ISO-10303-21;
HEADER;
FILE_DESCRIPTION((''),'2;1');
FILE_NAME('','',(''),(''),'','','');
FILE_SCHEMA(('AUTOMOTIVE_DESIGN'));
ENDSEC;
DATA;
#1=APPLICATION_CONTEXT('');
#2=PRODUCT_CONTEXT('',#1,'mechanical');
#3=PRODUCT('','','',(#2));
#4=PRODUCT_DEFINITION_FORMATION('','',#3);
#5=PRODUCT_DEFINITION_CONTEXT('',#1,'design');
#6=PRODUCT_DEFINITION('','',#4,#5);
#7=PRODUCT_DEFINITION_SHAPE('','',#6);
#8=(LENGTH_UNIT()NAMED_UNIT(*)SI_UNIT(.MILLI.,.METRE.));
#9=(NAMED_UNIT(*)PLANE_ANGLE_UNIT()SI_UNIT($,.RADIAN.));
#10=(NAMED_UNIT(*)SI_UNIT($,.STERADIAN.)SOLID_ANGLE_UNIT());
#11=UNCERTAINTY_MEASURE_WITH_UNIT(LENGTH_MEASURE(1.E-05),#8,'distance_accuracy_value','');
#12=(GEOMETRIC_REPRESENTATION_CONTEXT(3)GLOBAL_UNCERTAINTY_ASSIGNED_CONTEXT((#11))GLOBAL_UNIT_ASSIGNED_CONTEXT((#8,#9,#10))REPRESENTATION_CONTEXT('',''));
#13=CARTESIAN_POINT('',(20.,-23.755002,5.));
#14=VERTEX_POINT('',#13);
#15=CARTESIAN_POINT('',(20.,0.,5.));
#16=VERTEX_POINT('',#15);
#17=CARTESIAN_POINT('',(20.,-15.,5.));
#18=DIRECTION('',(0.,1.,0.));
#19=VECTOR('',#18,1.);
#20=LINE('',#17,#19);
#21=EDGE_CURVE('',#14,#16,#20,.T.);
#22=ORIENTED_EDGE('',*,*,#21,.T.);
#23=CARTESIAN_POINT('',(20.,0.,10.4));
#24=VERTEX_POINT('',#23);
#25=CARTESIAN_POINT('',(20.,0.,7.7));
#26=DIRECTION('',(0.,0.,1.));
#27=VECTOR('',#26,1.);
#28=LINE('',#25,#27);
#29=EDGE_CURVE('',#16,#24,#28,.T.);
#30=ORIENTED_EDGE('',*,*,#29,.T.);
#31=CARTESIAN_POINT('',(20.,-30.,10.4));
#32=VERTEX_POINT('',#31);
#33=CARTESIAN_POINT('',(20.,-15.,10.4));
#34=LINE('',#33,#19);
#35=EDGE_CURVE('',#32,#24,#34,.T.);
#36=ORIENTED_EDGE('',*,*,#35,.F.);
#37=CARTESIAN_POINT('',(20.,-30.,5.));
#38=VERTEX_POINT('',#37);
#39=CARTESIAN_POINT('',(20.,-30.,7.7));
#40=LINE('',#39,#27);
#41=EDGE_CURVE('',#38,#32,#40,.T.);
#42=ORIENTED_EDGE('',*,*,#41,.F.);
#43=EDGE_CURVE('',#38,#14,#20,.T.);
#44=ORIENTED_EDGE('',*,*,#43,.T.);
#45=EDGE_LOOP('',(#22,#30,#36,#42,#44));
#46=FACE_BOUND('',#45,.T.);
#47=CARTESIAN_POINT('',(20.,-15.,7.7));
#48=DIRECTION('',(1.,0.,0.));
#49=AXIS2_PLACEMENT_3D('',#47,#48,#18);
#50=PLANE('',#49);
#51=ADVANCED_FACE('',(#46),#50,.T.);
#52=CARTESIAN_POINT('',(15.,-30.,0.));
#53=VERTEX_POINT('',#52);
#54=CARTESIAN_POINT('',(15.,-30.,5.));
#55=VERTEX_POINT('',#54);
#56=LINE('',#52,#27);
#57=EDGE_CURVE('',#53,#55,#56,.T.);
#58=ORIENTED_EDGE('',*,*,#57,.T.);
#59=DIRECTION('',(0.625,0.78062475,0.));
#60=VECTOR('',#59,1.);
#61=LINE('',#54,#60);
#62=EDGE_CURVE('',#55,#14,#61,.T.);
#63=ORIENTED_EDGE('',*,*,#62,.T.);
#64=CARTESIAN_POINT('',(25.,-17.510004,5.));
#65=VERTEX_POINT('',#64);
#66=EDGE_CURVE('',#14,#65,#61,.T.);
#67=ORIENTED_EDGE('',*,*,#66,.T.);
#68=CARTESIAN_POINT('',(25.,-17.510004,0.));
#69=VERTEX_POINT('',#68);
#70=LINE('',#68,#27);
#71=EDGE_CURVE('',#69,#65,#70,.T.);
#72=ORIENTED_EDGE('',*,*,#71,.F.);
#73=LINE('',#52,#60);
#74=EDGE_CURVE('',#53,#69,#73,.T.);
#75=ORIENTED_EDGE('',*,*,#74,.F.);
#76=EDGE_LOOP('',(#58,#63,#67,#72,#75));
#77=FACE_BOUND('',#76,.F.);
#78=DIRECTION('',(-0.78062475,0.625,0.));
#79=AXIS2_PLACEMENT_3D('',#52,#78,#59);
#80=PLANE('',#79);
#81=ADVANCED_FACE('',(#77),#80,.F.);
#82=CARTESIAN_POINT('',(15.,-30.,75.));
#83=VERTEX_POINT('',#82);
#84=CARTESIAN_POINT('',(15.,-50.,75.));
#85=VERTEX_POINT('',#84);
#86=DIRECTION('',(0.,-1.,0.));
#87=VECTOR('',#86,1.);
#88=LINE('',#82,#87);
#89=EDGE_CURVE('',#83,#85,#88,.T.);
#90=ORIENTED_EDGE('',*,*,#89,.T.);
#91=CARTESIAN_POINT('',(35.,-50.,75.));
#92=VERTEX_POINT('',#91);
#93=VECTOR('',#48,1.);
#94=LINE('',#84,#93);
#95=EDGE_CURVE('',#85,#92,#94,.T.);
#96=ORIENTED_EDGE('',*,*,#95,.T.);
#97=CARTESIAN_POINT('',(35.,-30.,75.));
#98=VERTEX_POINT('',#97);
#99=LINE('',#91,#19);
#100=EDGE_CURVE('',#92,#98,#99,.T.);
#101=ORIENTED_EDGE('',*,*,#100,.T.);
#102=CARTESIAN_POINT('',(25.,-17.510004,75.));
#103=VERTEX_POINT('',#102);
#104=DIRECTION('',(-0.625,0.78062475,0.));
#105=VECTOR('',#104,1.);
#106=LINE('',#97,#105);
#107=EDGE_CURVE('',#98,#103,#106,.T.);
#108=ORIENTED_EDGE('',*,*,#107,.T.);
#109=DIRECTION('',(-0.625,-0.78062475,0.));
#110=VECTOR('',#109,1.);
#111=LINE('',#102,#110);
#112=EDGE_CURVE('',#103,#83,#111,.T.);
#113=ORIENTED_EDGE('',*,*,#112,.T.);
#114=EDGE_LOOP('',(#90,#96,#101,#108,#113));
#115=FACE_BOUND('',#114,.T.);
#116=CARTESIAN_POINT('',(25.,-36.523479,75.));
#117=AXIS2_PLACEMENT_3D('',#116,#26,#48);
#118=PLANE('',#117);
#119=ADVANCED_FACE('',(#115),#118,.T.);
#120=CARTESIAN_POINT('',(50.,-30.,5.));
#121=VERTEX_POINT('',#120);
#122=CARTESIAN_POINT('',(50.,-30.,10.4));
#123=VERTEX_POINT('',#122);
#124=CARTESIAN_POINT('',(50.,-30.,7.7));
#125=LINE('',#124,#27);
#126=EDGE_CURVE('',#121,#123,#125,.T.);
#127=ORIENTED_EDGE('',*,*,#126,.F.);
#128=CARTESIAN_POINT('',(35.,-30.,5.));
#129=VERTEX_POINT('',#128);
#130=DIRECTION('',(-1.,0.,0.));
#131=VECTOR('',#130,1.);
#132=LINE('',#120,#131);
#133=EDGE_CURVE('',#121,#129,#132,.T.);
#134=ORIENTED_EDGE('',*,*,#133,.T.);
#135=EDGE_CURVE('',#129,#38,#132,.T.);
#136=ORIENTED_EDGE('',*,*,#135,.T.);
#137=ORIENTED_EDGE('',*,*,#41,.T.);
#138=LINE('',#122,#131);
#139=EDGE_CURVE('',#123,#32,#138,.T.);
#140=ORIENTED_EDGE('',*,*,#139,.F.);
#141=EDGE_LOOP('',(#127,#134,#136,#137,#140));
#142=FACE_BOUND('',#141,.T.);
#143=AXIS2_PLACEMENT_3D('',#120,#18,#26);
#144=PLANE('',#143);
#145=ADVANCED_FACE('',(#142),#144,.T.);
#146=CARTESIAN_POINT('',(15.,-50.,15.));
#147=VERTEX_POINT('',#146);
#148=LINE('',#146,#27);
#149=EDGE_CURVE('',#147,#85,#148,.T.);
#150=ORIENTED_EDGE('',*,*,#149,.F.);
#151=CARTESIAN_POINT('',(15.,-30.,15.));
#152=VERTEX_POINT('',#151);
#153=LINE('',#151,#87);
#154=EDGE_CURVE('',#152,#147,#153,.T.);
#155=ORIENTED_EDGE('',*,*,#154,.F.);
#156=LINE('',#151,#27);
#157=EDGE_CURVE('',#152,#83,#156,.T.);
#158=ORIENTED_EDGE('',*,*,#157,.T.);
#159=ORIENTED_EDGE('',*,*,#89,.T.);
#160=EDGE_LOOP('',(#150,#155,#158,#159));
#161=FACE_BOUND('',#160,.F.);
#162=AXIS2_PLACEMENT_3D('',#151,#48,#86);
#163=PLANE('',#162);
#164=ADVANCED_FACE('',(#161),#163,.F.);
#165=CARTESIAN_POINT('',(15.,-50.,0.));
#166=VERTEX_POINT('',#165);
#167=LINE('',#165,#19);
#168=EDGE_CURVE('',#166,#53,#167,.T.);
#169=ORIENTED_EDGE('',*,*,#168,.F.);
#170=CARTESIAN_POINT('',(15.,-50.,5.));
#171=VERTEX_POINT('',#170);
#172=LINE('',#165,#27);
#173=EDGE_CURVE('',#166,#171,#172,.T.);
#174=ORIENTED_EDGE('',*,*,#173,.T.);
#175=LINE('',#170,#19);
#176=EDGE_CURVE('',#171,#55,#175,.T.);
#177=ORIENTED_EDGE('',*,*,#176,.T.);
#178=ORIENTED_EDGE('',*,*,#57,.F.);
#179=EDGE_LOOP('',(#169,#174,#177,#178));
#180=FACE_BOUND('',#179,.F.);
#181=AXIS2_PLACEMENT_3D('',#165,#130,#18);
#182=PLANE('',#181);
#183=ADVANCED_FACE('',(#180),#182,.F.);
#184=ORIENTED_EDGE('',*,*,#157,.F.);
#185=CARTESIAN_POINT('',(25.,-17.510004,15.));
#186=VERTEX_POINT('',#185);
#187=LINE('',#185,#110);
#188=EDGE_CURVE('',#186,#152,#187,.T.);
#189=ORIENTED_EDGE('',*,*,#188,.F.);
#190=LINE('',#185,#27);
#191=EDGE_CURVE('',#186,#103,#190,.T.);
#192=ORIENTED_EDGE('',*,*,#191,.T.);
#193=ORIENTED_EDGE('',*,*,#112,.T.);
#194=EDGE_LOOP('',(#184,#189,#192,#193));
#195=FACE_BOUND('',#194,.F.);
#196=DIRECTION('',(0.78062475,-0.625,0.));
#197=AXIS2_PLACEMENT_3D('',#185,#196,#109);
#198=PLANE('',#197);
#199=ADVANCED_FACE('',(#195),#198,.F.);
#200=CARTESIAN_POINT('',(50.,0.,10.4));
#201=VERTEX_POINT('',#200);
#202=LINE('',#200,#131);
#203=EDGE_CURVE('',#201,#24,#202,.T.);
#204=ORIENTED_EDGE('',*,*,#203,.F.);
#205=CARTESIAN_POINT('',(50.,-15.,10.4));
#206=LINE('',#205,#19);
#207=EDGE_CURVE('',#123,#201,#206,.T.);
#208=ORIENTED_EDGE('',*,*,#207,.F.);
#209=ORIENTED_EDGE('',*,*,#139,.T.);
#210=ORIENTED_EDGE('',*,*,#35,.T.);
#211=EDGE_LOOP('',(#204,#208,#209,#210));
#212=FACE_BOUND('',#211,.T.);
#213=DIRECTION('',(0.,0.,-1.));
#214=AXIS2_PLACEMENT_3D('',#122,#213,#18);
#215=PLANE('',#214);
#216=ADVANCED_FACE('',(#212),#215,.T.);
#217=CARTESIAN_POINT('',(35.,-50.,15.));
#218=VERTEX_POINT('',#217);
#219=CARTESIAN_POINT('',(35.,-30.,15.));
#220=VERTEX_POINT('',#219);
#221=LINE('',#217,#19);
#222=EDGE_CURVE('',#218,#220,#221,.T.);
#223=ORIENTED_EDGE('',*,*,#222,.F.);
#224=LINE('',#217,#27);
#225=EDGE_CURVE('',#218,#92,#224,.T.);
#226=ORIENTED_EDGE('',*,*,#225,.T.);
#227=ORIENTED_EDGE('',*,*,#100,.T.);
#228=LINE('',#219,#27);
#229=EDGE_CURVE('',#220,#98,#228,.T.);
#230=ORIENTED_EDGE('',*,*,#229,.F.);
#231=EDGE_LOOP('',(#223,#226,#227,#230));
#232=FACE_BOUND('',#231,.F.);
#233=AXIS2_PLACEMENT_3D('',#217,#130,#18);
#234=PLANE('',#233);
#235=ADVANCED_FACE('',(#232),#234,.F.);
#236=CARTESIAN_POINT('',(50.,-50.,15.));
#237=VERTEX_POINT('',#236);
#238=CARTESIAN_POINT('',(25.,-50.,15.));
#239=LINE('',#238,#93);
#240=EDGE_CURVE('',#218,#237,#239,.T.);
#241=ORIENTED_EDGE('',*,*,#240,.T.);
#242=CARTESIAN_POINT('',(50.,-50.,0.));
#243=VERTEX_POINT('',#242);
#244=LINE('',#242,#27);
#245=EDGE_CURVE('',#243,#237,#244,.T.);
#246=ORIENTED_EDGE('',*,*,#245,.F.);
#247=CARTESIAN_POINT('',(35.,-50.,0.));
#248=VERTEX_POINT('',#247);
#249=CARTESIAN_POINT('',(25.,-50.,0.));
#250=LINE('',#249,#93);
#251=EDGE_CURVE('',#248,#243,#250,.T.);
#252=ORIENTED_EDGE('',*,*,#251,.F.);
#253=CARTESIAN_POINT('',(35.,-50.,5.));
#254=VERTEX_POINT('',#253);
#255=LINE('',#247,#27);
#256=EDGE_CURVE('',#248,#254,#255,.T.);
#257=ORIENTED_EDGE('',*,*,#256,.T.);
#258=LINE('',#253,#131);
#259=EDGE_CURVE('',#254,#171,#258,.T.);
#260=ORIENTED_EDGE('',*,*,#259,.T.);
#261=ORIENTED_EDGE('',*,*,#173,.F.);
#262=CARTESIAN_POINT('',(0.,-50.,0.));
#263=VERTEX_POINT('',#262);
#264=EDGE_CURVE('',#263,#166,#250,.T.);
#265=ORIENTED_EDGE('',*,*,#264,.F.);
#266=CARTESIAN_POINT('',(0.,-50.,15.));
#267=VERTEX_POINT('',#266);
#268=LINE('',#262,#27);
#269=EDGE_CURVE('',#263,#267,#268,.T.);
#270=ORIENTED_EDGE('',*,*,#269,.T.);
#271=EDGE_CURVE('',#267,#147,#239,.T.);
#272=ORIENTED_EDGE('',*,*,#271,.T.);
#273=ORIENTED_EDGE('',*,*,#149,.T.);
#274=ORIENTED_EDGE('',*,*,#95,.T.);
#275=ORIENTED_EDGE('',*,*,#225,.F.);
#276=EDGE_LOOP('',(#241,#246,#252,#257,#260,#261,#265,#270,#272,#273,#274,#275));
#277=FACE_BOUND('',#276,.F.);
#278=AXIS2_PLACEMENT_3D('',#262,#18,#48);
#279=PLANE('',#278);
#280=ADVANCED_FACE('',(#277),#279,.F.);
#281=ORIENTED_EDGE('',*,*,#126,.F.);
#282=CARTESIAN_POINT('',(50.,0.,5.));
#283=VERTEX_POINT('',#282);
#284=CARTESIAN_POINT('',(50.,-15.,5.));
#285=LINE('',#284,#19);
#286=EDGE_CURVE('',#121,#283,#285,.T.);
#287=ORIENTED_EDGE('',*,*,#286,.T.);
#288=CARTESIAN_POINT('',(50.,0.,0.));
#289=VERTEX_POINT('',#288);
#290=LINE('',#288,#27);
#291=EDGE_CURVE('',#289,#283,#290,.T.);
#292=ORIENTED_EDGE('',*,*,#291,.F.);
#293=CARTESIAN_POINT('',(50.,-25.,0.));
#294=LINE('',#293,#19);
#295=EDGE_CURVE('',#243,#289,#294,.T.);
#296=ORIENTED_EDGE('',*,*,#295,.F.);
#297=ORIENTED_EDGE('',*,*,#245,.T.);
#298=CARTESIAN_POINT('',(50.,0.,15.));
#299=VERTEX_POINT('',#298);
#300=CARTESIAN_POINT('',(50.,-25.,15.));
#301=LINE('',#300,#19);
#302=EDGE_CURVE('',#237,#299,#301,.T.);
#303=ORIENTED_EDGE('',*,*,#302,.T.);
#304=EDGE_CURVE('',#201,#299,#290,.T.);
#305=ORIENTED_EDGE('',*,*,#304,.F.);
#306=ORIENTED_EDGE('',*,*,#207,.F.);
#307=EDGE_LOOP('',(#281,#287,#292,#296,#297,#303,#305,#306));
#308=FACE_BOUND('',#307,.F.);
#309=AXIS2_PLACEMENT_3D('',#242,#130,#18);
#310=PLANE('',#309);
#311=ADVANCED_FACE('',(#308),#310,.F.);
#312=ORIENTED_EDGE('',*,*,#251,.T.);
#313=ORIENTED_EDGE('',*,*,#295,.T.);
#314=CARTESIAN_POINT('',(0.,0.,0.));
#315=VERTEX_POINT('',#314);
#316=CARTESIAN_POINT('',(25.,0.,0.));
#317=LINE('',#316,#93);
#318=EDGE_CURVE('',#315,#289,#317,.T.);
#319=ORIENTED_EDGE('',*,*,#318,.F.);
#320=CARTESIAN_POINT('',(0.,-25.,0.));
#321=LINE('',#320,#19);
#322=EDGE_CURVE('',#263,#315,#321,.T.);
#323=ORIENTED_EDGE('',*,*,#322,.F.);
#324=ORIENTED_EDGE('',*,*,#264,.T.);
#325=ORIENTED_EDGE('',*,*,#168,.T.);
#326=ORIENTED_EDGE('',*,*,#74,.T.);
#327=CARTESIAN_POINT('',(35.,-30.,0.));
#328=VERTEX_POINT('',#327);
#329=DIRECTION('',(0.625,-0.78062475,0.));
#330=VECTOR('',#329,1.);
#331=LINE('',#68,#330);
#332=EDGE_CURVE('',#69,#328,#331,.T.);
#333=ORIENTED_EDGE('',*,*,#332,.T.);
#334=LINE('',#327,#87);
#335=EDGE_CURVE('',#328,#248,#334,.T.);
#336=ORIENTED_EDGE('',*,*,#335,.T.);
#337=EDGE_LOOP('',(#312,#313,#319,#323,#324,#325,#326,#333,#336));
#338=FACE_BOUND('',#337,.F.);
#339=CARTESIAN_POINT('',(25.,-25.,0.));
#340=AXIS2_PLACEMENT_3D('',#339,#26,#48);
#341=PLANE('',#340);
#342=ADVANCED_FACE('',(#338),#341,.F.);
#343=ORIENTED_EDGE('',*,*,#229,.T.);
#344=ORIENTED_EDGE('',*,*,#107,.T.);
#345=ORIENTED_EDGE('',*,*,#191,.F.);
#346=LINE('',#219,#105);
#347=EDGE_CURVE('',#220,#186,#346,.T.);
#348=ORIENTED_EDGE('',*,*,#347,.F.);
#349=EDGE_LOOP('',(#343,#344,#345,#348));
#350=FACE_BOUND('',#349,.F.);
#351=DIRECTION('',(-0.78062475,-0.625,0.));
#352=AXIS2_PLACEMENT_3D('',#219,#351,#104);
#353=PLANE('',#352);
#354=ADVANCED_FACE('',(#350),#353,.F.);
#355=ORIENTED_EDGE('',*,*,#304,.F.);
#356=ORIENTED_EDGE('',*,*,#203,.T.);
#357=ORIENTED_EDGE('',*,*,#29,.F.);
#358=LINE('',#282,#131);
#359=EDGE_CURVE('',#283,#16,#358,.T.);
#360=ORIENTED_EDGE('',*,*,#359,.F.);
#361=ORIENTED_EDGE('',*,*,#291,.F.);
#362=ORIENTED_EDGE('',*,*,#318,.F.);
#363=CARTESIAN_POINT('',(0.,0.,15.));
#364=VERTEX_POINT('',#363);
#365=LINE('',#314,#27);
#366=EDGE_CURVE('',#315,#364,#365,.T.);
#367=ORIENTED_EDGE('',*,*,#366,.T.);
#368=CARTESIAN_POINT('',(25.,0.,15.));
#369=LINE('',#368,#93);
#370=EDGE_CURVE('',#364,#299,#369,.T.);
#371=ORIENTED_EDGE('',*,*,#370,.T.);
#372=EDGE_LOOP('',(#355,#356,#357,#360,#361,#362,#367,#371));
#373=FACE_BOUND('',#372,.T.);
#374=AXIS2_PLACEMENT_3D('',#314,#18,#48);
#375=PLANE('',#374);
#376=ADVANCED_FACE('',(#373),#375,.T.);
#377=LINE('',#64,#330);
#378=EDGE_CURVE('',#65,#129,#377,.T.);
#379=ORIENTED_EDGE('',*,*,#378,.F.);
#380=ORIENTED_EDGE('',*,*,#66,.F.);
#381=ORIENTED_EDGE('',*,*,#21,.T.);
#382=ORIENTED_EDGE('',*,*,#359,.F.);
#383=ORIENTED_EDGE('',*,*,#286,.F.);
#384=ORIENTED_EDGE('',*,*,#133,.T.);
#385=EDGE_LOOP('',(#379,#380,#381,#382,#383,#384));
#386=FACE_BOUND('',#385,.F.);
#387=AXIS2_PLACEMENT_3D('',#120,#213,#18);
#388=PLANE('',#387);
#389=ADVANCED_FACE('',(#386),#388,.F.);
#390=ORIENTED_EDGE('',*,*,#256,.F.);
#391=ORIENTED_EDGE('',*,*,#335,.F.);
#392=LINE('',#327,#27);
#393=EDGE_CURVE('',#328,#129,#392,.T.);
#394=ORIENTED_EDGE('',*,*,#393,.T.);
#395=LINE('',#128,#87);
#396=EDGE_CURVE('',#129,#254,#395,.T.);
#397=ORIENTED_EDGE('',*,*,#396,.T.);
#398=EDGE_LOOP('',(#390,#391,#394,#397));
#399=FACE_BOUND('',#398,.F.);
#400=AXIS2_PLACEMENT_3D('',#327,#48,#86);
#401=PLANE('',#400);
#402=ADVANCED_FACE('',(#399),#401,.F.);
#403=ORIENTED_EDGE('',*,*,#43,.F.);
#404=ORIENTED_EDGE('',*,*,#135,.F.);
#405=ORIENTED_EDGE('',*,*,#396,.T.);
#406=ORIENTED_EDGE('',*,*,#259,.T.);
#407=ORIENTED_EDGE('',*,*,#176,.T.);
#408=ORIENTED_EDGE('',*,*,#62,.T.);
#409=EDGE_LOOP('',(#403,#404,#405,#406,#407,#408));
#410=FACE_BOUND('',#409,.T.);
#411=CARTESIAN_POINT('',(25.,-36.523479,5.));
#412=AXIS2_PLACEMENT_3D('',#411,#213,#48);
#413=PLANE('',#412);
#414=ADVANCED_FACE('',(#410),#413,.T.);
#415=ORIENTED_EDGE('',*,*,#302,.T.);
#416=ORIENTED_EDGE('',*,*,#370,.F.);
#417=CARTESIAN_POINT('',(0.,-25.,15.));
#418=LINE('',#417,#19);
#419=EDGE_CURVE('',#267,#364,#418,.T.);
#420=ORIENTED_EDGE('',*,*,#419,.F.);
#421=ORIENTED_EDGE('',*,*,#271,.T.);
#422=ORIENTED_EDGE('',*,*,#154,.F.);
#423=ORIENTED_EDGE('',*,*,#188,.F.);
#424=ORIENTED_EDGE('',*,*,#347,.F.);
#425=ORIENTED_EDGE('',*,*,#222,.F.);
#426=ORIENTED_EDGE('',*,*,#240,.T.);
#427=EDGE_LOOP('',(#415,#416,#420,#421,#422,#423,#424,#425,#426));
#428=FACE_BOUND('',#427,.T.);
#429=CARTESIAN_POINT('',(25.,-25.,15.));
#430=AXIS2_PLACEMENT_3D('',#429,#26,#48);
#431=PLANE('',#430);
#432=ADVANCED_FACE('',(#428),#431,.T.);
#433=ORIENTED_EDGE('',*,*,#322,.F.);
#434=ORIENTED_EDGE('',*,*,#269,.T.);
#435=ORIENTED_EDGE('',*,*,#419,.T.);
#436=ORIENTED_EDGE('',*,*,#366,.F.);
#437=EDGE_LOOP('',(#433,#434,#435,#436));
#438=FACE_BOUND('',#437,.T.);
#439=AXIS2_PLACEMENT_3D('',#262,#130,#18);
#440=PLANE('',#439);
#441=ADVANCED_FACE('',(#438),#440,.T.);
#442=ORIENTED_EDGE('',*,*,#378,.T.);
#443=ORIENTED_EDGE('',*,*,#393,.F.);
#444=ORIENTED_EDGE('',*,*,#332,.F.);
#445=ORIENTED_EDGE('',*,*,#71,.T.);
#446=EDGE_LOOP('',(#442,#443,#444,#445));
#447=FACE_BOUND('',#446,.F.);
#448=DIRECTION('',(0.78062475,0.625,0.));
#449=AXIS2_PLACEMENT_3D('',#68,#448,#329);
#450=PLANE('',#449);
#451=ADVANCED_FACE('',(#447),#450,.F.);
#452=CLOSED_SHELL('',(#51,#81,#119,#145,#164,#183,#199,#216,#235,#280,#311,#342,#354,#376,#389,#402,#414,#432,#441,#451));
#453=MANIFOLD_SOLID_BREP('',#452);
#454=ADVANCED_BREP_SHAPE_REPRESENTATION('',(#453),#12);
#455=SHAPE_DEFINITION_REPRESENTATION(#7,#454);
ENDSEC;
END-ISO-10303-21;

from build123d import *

# Parameters (mm, degrees)
F0_W     = 50
F0_H     = 50
F1_DEPTH = 15
F3_DEPTH = 60
F5_DEPTH = 5
F6_W     = 30
F6_H     = 5.4
F7_DEPTH = 30


with BuildPart() as f1:
    # F0 (on Top) → F1 (new body)
    with BuildSketch(Plane.XY):
        with Locations((25, -25)):
            Rectangle(F0_W, F0_H)
    extrude(amount=F1_DEPTH)

    # F2 (on face) → F3 (join)
    with BuildSketch(Plane.XY.offset(15)):
        Polygon((15, -30), (15, -50), (35, -50), (35, -30), (25, -17.510004), align=None)
    extrude(amount=F3_DEPTH)

    # F4 (on face) → F5 (cut)
    with BuildSketch(Plane(origin=(0, 0, 0), x_dir=(1, 0, 0), z_dir=(0, 0, -1))):
        Polygon((35, 50), (15, 50), (15, 30), (25, 17.510004), (35, 30), align=None)
    extrude(amount=-F5_DEPTH, mode=Mode.SUBTRACT)

    # F6 (on face) → F7 (cut)
    with BuildSketch(Plane.YZ.offset(50)):
        with Locations((-15, 7.7)):
            Rectangle(F6_W, F6_H)
    extrude(amount=-F7_DEPTH, mode=Mode.SUBTRACT)


solid = f1.part
